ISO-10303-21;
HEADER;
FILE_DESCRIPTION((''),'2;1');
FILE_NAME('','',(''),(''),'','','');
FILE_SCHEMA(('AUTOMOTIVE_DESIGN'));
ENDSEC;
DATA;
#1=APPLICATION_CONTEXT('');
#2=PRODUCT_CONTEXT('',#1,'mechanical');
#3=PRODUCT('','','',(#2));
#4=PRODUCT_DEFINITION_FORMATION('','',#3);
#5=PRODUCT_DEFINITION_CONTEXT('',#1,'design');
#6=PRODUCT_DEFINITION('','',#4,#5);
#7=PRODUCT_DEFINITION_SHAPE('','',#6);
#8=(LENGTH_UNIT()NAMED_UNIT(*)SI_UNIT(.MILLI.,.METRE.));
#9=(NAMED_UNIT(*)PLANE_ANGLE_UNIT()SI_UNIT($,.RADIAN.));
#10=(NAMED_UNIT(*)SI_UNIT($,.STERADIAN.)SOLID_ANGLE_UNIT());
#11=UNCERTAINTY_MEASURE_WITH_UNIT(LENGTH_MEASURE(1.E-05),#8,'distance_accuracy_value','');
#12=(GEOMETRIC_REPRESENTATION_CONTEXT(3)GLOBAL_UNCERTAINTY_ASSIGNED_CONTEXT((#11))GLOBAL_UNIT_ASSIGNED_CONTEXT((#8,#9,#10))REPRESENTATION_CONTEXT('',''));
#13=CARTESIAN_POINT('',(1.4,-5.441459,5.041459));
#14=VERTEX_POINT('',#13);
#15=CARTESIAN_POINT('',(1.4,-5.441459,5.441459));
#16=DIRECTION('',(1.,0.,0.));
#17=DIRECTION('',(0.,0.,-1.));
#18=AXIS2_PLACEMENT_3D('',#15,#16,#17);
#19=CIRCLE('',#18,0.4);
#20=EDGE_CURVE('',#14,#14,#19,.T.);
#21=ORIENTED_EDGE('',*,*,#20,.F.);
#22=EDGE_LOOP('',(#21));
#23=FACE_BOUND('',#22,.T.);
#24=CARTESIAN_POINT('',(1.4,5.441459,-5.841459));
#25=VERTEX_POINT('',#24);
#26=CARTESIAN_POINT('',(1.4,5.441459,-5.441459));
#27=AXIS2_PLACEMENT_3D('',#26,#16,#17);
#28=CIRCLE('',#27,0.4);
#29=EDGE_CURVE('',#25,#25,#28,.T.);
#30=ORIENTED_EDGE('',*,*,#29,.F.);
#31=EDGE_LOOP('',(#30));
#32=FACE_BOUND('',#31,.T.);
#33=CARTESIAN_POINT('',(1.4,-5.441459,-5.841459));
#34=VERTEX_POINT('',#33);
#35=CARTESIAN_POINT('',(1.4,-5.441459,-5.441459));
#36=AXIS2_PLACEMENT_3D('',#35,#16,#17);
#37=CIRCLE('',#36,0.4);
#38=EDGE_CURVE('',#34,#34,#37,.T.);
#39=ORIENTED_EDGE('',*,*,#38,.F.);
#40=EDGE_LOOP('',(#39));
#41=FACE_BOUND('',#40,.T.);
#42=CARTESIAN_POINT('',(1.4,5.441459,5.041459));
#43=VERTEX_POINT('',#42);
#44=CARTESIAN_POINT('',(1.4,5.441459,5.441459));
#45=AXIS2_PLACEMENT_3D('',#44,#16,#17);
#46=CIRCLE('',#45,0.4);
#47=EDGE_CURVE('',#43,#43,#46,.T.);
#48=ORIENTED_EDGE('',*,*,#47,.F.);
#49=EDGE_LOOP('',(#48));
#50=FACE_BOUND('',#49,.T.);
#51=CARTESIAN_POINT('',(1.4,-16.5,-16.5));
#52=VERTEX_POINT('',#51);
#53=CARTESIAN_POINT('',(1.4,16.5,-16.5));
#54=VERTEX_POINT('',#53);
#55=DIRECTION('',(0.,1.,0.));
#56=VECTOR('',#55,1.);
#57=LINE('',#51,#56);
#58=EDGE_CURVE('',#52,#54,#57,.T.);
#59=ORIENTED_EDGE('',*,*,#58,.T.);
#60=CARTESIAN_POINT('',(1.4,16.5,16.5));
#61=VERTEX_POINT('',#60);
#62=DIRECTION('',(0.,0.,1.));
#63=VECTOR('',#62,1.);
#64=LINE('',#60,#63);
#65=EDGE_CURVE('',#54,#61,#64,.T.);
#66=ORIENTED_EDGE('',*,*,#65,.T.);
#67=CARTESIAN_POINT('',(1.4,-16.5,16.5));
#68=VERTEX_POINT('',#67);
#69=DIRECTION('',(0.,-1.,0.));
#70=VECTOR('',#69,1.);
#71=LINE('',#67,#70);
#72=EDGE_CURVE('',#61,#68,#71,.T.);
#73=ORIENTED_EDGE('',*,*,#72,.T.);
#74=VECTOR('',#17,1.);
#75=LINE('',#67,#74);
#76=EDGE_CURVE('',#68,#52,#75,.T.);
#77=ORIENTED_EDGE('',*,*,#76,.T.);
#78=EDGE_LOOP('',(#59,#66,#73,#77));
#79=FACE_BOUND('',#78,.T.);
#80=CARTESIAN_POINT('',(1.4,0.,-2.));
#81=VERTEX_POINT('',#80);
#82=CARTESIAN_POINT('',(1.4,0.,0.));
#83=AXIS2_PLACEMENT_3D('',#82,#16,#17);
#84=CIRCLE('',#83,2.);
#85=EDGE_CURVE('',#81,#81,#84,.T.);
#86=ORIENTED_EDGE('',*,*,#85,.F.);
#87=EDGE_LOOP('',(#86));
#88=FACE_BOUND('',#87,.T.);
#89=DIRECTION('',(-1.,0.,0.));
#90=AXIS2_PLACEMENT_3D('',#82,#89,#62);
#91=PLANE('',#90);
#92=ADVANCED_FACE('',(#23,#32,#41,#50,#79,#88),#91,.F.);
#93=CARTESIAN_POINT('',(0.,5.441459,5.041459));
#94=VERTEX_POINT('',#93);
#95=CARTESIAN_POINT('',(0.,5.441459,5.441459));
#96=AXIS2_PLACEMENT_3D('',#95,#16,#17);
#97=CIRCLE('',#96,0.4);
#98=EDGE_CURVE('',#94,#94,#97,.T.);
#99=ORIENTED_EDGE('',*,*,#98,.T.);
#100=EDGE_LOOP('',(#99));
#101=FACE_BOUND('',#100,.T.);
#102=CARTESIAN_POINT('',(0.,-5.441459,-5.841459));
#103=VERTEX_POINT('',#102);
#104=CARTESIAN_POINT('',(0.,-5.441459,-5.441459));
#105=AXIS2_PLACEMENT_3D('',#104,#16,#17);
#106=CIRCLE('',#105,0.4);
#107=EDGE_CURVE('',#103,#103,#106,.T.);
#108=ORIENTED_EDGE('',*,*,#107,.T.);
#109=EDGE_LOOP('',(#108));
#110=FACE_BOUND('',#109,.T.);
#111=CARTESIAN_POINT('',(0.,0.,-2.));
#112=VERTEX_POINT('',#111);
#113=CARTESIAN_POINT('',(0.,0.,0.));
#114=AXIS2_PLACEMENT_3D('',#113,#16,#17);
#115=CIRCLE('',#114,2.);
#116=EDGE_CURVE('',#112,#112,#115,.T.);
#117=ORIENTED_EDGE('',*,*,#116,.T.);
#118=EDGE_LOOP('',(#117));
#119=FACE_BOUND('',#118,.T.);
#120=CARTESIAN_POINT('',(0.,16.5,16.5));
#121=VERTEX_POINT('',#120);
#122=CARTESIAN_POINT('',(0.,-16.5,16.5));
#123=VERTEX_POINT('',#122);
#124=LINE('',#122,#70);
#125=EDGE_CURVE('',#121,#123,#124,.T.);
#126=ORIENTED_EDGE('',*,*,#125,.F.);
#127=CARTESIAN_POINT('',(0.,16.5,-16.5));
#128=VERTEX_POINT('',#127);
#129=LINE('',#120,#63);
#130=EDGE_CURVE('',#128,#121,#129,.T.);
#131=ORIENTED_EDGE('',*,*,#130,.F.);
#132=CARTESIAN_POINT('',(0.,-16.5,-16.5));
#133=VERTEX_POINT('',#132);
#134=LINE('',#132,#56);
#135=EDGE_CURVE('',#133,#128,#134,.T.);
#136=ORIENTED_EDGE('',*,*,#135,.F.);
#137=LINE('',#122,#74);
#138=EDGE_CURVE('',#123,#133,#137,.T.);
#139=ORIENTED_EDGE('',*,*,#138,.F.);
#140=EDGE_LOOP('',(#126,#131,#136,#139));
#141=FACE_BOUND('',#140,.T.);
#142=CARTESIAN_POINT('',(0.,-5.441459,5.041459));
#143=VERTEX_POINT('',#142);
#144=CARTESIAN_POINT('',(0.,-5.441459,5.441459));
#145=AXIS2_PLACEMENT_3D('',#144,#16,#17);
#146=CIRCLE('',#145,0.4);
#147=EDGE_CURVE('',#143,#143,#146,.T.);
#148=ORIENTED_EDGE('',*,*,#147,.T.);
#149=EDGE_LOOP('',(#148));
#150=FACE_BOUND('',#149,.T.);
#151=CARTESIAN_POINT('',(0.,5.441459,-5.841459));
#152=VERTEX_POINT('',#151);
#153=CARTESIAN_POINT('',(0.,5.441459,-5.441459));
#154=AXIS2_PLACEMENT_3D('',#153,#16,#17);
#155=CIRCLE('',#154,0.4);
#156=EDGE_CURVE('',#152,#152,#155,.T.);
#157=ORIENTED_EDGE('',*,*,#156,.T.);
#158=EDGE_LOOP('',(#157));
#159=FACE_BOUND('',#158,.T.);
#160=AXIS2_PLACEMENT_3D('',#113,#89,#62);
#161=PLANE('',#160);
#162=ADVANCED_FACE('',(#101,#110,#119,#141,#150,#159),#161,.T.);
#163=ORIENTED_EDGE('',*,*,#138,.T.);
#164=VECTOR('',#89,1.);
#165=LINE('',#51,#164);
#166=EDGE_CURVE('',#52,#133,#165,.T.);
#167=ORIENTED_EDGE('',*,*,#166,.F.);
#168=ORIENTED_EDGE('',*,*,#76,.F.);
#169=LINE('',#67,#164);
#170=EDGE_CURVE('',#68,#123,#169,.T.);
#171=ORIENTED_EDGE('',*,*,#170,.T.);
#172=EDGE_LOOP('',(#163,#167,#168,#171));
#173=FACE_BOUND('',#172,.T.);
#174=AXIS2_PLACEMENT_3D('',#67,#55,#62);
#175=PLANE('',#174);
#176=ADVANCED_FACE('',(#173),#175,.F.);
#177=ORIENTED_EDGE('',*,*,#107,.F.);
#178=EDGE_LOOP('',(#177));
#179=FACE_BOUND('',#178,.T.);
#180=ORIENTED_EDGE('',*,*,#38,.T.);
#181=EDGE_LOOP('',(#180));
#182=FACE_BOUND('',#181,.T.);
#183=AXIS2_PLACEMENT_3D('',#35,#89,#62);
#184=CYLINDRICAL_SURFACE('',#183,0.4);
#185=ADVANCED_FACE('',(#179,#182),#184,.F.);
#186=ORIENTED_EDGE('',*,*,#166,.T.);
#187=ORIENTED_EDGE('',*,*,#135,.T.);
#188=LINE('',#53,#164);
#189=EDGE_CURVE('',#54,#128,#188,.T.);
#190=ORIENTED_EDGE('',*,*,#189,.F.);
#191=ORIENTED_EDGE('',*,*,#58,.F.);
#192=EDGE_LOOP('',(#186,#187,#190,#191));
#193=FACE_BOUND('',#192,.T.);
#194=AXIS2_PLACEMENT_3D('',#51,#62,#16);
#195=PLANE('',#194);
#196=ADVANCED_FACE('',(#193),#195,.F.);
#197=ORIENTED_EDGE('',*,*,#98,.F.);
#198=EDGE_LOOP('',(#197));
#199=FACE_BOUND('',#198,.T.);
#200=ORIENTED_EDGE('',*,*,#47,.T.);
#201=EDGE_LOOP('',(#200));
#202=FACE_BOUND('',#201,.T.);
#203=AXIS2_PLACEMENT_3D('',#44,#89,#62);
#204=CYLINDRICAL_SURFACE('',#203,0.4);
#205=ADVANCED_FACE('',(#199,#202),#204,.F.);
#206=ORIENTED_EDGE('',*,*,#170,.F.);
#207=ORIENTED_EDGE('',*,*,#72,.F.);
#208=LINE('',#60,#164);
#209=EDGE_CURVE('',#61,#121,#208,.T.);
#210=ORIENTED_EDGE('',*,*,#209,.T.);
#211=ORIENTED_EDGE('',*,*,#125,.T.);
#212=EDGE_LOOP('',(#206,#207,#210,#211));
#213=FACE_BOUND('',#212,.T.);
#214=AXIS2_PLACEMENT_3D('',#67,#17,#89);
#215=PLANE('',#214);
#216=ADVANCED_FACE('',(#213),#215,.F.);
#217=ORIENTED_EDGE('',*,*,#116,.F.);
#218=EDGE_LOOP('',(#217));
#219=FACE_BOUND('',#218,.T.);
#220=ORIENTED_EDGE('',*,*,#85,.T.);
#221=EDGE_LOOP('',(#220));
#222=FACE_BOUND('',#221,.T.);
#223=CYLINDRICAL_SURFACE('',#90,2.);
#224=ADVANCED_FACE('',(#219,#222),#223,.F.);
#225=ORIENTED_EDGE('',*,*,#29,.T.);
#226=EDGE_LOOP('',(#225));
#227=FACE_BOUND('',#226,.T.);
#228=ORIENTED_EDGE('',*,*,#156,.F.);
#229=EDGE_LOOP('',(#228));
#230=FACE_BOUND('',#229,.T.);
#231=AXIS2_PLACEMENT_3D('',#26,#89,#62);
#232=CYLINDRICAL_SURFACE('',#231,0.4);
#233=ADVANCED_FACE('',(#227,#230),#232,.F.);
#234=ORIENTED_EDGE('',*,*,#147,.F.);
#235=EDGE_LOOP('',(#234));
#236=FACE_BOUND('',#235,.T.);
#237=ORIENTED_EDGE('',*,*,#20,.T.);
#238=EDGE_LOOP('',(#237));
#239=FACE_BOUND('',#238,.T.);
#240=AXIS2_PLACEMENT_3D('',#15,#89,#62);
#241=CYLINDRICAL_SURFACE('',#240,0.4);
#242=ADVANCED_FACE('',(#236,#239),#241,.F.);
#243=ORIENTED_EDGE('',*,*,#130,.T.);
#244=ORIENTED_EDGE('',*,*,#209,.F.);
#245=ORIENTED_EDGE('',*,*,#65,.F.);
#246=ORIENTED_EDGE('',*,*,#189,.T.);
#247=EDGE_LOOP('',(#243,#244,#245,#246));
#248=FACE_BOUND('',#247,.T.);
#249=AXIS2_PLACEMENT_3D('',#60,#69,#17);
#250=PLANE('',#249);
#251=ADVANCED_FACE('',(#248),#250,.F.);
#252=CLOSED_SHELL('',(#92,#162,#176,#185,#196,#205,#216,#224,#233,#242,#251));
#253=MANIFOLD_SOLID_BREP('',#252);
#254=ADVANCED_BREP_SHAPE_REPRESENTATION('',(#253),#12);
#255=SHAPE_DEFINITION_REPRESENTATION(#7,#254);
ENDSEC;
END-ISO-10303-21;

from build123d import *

# Parameters (mm, degrees)
SKETCH1_W           = 33
SKETCH1_H           = 33
SKETCH1_R           = 2
SKETCH1_R_2         = 0.4
BOSS_EXTRUDE1_DEPTH = 1.4


with BuildPart() as part:
    # Sketch1 → Boss-Extrude1 (new body)
    with BuildSketch(Plane(origin=(0, 0, 0), x_dir=(0, 0, -1), z_dir=(1, 0, 0))):
        Rectangle(SKETCH1_W, SKETCH1_H)
        Circle(SKETCH1_R, mode=Mode.SUBTRACT)
        with Locations((5.441459355, -5.441459355)):
            Circle(SKETCH1_R_2, mode=Mode.SUBTRACT)
        with Locations((-5.441459355, -5.441459355)):
            Circle(SKETCH1_R_2, mode=Mode.SUBTRACT)
        with Locations((-5.441459355, 5.441459355)):
            Circle(SKETCH1_R_2, mode=Mode.SUBTRACT)
        with Locations((5.441459355, 5.441459355)):
            Circle(SKETCH1_R_2, mode=Mode.SUBTRACT)
    extrude(amount=BOSS_EXTRUDE1_DEPTH)


solid = part.part
